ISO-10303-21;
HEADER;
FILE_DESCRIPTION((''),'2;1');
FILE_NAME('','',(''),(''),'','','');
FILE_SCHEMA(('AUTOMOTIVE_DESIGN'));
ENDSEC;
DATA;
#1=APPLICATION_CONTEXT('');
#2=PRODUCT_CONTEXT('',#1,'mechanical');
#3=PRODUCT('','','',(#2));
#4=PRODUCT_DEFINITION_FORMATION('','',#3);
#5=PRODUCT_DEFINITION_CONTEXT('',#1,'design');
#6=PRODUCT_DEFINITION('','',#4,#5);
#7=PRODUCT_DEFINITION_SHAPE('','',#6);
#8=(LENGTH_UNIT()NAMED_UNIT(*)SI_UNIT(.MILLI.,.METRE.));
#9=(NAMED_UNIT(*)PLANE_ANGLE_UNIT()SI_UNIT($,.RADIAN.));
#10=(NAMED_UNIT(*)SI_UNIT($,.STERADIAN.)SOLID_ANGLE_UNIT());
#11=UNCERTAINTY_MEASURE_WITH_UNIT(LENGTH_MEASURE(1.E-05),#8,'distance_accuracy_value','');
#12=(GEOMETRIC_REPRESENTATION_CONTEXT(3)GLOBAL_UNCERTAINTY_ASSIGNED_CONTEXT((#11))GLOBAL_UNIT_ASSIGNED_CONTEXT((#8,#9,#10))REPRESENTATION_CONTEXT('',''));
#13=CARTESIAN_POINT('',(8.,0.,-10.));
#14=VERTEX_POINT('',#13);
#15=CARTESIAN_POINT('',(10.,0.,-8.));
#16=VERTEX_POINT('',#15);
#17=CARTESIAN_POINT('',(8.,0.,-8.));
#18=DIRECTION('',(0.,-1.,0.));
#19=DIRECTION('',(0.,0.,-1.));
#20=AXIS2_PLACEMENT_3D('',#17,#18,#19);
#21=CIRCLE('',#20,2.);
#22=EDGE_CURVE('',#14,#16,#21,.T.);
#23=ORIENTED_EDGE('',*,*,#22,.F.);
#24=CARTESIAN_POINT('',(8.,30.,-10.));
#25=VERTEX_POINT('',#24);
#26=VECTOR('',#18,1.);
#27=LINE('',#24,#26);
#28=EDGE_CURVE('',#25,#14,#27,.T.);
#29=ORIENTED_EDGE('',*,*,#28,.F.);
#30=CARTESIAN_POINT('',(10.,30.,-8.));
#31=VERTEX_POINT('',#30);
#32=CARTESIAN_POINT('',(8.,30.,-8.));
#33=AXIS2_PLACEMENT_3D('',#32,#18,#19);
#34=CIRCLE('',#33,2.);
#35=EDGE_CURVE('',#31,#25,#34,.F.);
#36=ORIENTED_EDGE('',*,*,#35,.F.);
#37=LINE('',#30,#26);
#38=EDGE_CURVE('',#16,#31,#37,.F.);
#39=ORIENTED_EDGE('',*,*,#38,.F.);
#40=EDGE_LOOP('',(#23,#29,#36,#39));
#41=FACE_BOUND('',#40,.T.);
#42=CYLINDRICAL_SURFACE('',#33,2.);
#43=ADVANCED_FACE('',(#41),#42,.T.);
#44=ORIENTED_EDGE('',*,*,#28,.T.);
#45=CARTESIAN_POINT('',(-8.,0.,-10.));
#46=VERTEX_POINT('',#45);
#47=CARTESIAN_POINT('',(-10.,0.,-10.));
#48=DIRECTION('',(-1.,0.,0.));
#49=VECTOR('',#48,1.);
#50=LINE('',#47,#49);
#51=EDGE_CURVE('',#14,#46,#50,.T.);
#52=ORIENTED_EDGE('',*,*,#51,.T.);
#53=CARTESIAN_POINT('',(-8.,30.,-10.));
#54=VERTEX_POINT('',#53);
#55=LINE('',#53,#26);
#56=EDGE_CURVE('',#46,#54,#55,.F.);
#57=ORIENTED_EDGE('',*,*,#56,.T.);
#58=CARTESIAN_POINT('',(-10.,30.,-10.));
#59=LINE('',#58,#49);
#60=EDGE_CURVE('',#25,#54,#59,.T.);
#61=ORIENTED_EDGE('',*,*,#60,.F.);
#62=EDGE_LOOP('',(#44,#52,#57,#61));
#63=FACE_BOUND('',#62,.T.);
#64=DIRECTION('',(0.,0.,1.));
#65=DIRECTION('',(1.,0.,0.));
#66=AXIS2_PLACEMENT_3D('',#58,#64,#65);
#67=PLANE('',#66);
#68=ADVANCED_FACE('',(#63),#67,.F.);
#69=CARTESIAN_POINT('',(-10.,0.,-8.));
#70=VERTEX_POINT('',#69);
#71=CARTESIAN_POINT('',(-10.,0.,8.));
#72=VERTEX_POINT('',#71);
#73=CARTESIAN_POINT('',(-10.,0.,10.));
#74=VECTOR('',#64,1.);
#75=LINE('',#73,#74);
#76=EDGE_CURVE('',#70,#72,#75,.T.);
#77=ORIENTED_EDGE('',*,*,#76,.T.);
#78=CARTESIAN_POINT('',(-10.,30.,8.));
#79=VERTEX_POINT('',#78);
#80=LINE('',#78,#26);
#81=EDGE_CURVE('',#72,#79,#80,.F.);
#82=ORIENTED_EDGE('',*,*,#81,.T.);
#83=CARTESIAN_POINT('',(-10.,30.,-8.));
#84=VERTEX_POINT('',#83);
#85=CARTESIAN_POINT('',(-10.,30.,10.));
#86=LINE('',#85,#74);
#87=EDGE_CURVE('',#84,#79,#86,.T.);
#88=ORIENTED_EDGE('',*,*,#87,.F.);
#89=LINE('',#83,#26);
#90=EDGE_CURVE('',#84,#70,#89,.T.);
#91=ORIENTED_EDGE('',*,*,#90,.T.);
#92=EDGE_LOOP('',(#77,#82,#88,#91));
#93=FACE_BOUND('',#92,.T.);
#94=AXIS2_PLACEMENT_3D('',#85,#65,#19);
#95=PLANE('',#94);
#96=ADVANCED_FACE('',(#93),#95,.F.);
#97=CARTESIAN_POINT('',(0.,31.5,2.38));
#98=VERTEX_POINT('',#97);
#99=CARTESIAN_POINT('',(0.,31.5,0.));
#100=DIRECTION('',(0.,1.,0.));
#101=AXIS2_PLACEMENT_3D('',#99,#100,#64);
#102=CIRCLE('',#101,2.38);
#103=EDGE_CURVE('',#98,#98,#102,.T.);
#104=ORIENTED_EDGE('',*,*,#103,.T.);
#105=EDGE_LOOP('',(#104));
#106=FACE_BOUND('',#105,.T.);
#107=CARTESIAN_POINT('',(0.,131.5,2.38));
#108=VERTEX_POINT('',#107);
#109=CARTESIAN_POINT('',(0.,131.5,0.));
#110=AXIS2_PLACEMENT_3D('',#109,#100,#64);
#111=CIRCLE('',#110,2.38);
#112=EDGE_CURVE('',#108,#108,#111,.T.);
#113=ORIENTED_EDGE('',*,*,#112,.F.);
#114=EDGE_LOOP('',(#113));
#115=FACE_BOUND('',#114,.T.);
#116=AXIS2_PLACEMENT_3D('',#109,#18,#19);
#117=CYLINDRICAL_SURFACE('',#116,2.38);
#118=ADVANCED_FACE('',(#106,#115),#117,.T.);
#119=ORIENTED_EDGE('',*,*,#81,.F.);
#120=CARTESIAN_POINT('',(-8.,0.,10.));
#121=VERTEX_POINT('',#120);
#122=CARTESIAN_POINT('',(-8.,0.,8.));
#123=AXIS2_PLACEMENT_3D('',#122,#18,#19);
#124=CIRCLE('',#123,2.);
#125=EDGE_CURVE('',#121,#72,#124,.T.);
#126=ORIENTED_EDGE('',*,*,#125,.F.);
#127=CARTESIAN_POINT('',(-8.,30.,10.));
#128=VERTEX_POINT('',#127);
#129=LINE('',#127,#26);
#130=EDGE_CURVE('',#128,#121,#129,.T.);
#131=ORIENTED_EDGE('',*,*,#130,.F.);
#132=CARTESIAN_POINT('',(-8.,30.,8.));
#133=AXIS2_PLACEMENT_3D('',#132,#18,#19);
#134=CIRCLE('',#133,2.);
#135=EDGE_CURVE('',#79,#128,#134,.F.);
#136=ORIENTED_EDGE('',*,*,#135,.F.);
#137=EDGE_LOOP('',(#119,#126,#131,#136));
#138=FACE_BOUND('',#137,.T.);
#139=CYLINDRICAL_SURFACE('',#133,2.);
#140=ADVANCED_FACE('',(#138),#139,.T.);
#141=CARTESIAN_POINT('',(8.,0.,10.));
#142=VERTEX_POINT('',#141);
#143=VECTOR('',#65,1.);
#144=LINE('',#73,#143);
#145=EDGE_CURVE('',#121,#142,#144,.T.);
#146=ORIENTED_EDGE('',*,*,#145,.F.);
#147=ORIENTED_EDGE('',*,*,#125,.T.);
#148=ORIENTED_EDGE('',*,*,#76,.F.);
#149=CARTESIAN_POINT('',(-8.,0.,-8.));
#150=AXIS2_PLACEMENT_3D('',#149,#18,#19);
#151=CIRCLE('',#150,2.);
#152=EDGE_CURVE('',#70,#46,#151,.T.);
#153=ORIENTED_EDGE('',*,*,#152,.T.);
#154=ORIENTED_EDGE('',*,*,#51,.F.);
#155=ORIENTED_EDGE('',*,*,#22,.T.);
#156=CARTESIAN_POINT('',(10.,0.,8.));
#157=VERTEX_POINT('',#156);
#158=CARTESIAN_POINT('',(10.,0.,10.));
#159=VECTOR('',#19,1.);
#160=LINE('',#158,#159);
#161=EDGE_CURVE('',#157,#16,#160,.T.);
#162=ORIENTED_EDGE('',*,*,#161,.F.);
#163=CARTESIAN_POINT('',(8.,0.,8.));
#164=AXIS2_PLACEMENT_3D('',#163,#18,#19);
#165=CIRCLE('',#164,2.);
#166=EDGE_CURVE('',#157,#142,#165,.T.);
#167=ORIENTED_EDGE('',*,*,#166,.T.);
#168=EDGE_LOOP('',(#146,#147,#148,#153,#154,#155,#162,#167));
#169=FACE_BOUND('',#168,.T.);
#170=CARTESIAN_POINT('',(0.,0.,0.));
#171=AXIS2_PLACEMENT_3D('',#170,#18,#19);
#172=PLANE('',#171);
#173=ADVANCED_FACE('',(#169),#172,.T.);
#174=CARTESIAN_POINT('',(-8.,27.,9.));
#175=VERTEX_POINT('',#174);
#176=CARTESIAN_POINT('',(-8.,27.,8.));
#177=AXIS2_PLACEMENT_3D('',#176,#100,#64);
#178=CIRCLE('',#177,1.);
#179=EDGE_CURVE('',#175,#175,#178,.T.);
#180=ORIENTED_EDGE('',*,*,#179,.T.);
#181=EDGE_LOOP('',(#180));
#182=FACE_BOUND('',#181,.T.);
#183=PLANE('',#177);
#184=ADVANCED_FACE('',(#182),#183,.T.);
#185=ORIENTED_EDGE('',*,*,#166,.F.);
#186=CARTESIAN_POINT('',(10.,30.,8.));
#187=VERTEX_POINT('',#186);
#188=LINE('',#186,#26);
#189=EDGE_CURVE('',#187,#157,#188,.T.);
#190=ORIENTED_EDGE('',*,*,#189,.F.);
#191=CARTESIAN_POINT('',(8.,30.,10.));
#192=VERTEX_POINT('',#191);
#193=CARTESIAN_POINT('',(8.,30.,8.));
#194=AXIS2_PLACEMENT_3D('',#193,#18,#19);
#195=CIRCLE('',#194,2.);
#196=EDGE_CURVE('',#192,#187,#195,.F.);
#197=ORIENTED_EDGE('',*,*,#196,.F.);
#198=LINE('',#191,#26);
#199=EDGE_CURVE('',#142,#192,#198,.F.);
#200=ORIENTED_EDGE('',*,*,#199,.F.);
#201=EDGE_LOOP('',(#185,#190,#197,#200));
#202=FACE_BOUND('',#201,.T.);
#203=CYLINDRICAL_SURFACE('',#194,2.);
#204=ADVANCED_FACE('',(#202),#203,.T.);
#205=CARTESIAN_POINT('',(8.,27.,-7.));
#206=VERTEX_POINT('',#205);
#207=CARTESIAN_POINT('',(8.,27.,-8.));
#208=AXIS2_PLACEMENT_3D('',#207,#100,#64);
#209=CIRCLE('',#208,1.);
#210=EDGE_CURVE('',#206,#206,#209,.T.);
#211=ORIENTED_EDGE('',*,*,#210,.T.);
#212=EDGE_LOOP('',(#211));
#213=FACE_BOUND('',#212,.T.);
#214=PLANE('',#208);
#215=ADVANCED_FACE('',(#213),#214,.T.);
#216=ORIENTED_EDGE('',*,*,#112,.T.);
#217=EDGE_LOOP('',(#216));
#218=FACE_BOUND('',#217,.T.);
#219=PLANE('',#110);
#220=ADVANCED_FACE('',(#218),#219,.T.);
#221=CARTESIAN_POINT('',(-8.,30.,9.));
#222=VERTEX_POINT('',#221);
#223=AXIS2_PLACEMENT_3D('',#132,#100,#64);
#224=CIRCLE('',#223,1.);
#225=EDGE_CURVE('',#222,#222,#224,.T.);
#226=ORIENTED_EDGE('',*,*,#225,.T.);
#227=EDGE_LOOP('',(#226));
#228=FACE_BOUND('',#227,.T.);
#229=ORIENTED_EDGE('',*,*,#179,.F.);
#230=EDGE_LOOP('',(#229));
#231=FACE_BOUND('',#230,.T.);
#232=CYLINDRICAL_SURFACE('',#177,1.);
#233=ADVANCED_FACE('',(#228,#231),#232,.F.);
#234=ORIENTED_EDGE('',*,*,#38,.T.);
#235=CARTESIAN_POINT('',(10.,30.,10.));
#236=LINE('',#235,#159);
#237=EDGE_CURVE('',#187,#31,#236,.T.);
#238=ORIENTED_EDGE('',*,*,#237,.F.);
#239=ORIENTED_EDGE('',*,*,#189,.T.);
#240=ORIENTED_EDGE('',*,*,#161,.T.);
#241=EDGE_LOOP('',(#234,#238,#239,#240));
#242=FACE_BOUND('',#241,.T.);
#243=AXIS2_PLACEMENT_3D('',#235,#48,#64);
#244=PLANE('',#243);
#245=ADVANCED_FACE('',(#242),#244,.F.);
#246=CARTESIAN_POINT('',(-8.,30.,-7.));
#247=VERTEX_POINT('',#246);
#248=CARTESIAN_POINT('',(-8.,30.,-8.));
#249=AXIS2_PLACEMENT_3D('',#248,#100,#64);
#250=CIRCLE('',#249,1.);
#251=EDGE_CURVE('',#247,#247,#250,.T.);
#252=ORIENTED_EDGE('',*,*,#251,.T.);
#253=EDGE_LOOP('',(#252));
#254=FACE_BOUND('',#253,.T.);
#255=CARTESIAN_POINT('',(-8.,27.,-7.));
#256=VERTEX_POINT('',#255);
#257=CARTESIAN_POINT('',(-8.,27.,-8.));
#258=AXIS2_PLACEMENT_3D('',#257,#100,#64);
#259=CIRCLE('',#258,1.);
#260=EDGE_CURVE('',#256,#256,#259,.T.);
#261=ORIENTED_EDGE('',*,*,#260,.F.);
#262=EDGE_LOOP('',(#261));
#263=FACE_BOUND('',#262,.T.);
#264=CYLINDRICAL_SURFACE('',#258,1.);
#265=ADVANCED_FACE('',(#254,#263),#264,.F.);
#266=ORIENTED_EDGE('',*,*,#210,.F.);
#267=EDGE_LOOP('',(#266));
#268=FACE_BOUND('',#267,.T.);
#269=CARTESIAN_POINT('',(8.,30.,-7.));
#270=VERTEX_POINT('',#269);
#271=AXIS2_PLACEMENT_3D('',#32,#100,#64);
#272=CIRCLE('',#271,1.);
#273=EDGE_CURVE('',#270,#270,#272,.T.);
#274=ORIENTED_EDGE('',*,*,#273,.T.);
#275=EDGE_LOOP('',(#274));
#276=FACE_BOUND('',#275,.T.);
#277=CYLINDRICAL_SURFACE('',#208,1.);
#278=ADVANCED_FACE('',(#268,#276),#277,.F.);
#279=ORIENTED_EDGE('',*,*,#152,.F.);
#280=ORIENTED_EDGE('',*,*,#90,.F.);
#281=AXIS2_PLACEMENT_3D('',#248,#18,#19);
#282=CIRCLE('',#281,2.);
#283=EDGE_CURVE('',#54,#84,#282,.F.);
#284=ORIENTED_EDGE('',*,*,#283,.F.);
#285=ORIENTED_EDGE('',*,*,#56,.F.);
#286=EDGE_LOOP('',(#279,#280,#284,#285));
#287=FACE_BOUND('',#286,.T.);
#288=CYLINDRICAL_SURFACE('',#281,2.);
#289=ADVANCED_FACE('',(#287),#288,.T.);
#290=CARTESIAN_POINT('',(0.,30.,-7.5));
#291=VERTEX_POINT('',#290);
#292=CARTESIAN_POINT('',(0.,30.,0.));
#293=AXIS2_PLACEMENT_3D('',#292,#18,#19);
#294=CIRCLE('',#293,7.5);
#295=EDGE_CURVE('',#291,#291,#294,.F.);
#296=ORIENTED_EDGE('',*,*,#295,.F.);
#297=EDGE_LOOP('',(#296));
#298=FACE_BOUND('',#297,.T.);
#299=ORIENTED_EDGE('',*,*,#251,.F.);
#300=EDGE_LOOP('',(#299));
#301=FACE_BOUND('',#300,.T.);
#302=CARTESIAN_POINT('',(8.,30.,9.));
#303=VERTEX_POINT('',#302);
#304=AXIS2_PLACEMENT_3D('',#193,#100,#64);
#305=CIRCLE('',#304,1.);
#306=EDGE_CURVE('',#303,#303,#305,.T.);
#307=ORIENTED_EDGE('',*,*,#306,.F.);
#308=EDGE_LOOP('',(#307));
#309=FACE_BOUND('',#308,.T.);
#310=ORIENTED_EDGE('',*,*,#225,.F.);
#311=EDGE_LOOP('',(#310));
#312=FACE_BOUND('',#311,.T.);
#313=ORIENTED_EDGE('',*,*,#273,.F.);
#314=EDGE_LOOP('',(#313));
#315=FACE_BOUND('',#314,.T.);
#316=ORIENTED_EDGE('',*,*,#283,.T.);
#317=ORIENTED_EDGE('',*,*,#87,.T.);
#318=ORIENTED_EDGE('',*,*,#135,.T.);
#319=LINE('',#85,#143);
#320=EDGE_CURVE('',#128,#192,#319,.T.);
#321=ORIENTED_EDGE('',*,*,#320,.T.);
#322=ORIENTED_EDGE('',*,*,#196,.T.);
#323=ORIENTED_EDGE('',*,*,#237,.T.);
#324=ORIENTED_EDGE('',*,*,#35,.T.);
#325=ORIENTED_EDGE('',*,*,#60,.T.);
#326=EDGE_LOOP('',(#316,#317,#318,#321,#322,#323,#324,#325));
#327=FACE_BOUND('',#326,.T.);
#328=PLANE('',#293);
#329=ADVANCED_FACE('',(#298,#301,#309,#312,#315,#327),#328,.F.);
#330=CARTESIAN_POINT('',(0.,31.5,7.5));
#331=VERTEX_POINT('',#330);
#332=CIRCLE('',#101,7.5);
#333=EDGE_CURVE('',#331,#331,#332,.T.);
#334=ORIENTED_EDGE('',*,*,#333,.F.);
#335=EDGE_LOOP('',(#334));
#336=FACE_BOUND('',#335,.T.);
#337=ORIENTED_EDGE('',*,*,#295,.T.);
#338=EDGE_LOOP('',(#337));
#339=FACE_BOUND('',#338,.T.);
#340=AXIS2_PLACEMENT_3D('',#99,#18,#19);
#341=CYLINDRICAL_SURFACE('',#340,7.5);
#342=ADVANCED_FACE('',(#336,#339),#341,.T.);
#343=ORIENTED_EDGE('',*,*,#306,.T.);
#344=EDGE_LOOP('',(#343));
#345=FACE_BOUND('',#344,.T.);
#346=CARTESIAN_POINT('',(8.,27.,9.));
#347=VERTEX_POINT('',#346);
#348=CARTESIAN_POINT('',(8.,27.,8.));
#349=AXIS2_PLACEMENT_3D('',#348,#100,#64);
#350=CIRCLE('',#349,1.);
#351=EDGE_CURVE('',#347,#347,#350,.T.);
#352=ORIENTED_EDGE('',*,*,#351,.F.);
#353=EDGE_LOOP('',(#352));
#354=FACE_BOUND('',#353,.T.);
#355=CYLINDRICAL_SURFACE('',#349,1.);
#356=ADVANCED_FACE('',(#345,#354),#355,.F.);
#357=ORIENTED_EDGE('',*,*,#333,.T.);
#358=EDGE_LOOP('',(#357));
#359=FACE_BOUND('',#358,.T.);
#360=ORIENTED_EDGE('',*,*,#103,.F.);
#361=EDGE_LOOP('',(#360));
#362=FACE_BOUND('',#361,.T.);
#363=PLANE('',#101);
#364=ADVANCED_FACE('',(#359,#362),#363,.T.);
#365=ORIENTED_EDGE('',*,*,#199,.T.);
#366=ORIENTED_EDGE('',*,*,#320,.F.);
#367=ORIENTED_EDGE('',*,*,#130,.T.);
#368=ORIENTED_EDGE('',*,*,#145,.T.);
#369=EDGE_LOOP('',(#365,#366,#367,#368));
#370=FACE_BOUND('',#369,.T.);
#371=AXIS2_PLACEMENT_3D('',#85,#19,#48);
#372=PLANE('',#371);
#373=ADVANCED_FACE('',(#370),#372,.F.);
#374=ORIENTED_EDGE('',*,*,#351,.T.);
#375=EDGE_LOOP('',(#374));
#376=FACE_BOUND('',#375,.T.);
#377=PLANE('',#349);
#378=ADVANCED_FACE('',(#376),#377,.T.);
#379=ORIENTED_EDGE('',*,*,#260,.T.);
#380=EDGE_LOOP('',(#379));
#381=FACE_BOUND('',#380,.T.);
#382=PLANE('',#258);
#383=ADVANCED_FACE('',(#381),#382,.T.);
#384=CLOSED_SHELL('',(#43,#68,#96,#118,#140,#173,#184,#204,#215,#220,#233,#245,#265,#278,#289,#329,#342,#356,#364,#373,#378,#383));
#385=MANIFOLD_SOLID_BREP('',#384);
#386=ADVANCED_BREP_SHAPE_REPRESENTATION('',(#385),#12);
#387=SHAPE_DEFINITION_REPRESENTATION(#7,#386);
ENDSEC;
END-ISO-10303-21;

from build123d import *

# Parameters (mm, degrees)
SKETCH1_W           = 20
SKETCH1_H           = 20
BOSS_EXTRUDE1_DEPTH = 30
FILLET1_R           = 2
SKETCH2_R           = 1
CUT_EXTRUDE1_DEPTH  = 3
SKETCH3_R           = 7.5
BOSS_EXTRUDE2_DEPTH = 1.5
SKETCH4_R           = 2.38
BOSS_EXTRUDE3_DEPTH = 100


with BuildPart() as part:
    # Sketch1 → Boss-Extrude1 (new body)
    with BuildSketch(Plane(origin=(0, 0, 0), x_dir=(1, 0, 0), z_dir=(0, 1, 0))):
        Rectangle(SKETCH1_W, SKETCH1_H)
    extrude(amount=BOSS_EXTRUDE1_DEPTH)

    # Fillet1
    fillet1_edges = [part.edges().sort_by_distance(p)[0] for p in [
        (10, 15, 10),
        (-10, 15, 10),
        (-10, 15, -10),
        (10, 15, -10),
    ]]
    fillet(fillet1_edges, radius=FILLET1_R)

    # Sketch2 → Cut-Extrude1 (cut)
    with BuildSketch(Plane(origin=(0, 30, 0), x_dir=(1, 0, 0), z_dir=(0, 1, 0))):
        with Locations(Location((-8, 8, 0), (0, 0, 270))):
            Circle(SKETCH2_R)
        with Locations(Location((8, 8, 0), (0, 0, 270))):
            Circle(SKETCH2_R)
        with Locations(Location((8, -8, 0), (0, 0, 270))):
            Circle(SKETCH2_R)
        with Locations(Location((-8, -8, 0), (0, 0, 270))):
            Circle(SKETCH2_R)
    extrude(amount=-CUT_EXTRUDE1_DEPTH, mode=Mode.SUBTRACT)

    # Sketch3 → Boss-Extrude2 (add)
    with BuildSketch(Plane(origin=(0, 30, 0), x_dir=(1, 0, 0), z_dir=(0, 1, 0))):
        with Locations(Location((0, 0, 0), (0, 0, 90))):
            Circle(SKETCH3_R)
    extrude(amount=BOSS_EXTRUDE2_DEPTH)

    # Sketch4 → Boss-Extrude3 (add)
    with BuildSketch(Plane(origin=(0, 31.5, 0), x_dir=(1, 0, 0), z_dir=(0, 1, 0))):
        with Locations(Location((0, 0, 0), (0, 0, 270))):
            Circle(SKETCH4_R)
    extrude(amount=BOSS_EXTRUDE3_DEPTH)


solid = part.part
